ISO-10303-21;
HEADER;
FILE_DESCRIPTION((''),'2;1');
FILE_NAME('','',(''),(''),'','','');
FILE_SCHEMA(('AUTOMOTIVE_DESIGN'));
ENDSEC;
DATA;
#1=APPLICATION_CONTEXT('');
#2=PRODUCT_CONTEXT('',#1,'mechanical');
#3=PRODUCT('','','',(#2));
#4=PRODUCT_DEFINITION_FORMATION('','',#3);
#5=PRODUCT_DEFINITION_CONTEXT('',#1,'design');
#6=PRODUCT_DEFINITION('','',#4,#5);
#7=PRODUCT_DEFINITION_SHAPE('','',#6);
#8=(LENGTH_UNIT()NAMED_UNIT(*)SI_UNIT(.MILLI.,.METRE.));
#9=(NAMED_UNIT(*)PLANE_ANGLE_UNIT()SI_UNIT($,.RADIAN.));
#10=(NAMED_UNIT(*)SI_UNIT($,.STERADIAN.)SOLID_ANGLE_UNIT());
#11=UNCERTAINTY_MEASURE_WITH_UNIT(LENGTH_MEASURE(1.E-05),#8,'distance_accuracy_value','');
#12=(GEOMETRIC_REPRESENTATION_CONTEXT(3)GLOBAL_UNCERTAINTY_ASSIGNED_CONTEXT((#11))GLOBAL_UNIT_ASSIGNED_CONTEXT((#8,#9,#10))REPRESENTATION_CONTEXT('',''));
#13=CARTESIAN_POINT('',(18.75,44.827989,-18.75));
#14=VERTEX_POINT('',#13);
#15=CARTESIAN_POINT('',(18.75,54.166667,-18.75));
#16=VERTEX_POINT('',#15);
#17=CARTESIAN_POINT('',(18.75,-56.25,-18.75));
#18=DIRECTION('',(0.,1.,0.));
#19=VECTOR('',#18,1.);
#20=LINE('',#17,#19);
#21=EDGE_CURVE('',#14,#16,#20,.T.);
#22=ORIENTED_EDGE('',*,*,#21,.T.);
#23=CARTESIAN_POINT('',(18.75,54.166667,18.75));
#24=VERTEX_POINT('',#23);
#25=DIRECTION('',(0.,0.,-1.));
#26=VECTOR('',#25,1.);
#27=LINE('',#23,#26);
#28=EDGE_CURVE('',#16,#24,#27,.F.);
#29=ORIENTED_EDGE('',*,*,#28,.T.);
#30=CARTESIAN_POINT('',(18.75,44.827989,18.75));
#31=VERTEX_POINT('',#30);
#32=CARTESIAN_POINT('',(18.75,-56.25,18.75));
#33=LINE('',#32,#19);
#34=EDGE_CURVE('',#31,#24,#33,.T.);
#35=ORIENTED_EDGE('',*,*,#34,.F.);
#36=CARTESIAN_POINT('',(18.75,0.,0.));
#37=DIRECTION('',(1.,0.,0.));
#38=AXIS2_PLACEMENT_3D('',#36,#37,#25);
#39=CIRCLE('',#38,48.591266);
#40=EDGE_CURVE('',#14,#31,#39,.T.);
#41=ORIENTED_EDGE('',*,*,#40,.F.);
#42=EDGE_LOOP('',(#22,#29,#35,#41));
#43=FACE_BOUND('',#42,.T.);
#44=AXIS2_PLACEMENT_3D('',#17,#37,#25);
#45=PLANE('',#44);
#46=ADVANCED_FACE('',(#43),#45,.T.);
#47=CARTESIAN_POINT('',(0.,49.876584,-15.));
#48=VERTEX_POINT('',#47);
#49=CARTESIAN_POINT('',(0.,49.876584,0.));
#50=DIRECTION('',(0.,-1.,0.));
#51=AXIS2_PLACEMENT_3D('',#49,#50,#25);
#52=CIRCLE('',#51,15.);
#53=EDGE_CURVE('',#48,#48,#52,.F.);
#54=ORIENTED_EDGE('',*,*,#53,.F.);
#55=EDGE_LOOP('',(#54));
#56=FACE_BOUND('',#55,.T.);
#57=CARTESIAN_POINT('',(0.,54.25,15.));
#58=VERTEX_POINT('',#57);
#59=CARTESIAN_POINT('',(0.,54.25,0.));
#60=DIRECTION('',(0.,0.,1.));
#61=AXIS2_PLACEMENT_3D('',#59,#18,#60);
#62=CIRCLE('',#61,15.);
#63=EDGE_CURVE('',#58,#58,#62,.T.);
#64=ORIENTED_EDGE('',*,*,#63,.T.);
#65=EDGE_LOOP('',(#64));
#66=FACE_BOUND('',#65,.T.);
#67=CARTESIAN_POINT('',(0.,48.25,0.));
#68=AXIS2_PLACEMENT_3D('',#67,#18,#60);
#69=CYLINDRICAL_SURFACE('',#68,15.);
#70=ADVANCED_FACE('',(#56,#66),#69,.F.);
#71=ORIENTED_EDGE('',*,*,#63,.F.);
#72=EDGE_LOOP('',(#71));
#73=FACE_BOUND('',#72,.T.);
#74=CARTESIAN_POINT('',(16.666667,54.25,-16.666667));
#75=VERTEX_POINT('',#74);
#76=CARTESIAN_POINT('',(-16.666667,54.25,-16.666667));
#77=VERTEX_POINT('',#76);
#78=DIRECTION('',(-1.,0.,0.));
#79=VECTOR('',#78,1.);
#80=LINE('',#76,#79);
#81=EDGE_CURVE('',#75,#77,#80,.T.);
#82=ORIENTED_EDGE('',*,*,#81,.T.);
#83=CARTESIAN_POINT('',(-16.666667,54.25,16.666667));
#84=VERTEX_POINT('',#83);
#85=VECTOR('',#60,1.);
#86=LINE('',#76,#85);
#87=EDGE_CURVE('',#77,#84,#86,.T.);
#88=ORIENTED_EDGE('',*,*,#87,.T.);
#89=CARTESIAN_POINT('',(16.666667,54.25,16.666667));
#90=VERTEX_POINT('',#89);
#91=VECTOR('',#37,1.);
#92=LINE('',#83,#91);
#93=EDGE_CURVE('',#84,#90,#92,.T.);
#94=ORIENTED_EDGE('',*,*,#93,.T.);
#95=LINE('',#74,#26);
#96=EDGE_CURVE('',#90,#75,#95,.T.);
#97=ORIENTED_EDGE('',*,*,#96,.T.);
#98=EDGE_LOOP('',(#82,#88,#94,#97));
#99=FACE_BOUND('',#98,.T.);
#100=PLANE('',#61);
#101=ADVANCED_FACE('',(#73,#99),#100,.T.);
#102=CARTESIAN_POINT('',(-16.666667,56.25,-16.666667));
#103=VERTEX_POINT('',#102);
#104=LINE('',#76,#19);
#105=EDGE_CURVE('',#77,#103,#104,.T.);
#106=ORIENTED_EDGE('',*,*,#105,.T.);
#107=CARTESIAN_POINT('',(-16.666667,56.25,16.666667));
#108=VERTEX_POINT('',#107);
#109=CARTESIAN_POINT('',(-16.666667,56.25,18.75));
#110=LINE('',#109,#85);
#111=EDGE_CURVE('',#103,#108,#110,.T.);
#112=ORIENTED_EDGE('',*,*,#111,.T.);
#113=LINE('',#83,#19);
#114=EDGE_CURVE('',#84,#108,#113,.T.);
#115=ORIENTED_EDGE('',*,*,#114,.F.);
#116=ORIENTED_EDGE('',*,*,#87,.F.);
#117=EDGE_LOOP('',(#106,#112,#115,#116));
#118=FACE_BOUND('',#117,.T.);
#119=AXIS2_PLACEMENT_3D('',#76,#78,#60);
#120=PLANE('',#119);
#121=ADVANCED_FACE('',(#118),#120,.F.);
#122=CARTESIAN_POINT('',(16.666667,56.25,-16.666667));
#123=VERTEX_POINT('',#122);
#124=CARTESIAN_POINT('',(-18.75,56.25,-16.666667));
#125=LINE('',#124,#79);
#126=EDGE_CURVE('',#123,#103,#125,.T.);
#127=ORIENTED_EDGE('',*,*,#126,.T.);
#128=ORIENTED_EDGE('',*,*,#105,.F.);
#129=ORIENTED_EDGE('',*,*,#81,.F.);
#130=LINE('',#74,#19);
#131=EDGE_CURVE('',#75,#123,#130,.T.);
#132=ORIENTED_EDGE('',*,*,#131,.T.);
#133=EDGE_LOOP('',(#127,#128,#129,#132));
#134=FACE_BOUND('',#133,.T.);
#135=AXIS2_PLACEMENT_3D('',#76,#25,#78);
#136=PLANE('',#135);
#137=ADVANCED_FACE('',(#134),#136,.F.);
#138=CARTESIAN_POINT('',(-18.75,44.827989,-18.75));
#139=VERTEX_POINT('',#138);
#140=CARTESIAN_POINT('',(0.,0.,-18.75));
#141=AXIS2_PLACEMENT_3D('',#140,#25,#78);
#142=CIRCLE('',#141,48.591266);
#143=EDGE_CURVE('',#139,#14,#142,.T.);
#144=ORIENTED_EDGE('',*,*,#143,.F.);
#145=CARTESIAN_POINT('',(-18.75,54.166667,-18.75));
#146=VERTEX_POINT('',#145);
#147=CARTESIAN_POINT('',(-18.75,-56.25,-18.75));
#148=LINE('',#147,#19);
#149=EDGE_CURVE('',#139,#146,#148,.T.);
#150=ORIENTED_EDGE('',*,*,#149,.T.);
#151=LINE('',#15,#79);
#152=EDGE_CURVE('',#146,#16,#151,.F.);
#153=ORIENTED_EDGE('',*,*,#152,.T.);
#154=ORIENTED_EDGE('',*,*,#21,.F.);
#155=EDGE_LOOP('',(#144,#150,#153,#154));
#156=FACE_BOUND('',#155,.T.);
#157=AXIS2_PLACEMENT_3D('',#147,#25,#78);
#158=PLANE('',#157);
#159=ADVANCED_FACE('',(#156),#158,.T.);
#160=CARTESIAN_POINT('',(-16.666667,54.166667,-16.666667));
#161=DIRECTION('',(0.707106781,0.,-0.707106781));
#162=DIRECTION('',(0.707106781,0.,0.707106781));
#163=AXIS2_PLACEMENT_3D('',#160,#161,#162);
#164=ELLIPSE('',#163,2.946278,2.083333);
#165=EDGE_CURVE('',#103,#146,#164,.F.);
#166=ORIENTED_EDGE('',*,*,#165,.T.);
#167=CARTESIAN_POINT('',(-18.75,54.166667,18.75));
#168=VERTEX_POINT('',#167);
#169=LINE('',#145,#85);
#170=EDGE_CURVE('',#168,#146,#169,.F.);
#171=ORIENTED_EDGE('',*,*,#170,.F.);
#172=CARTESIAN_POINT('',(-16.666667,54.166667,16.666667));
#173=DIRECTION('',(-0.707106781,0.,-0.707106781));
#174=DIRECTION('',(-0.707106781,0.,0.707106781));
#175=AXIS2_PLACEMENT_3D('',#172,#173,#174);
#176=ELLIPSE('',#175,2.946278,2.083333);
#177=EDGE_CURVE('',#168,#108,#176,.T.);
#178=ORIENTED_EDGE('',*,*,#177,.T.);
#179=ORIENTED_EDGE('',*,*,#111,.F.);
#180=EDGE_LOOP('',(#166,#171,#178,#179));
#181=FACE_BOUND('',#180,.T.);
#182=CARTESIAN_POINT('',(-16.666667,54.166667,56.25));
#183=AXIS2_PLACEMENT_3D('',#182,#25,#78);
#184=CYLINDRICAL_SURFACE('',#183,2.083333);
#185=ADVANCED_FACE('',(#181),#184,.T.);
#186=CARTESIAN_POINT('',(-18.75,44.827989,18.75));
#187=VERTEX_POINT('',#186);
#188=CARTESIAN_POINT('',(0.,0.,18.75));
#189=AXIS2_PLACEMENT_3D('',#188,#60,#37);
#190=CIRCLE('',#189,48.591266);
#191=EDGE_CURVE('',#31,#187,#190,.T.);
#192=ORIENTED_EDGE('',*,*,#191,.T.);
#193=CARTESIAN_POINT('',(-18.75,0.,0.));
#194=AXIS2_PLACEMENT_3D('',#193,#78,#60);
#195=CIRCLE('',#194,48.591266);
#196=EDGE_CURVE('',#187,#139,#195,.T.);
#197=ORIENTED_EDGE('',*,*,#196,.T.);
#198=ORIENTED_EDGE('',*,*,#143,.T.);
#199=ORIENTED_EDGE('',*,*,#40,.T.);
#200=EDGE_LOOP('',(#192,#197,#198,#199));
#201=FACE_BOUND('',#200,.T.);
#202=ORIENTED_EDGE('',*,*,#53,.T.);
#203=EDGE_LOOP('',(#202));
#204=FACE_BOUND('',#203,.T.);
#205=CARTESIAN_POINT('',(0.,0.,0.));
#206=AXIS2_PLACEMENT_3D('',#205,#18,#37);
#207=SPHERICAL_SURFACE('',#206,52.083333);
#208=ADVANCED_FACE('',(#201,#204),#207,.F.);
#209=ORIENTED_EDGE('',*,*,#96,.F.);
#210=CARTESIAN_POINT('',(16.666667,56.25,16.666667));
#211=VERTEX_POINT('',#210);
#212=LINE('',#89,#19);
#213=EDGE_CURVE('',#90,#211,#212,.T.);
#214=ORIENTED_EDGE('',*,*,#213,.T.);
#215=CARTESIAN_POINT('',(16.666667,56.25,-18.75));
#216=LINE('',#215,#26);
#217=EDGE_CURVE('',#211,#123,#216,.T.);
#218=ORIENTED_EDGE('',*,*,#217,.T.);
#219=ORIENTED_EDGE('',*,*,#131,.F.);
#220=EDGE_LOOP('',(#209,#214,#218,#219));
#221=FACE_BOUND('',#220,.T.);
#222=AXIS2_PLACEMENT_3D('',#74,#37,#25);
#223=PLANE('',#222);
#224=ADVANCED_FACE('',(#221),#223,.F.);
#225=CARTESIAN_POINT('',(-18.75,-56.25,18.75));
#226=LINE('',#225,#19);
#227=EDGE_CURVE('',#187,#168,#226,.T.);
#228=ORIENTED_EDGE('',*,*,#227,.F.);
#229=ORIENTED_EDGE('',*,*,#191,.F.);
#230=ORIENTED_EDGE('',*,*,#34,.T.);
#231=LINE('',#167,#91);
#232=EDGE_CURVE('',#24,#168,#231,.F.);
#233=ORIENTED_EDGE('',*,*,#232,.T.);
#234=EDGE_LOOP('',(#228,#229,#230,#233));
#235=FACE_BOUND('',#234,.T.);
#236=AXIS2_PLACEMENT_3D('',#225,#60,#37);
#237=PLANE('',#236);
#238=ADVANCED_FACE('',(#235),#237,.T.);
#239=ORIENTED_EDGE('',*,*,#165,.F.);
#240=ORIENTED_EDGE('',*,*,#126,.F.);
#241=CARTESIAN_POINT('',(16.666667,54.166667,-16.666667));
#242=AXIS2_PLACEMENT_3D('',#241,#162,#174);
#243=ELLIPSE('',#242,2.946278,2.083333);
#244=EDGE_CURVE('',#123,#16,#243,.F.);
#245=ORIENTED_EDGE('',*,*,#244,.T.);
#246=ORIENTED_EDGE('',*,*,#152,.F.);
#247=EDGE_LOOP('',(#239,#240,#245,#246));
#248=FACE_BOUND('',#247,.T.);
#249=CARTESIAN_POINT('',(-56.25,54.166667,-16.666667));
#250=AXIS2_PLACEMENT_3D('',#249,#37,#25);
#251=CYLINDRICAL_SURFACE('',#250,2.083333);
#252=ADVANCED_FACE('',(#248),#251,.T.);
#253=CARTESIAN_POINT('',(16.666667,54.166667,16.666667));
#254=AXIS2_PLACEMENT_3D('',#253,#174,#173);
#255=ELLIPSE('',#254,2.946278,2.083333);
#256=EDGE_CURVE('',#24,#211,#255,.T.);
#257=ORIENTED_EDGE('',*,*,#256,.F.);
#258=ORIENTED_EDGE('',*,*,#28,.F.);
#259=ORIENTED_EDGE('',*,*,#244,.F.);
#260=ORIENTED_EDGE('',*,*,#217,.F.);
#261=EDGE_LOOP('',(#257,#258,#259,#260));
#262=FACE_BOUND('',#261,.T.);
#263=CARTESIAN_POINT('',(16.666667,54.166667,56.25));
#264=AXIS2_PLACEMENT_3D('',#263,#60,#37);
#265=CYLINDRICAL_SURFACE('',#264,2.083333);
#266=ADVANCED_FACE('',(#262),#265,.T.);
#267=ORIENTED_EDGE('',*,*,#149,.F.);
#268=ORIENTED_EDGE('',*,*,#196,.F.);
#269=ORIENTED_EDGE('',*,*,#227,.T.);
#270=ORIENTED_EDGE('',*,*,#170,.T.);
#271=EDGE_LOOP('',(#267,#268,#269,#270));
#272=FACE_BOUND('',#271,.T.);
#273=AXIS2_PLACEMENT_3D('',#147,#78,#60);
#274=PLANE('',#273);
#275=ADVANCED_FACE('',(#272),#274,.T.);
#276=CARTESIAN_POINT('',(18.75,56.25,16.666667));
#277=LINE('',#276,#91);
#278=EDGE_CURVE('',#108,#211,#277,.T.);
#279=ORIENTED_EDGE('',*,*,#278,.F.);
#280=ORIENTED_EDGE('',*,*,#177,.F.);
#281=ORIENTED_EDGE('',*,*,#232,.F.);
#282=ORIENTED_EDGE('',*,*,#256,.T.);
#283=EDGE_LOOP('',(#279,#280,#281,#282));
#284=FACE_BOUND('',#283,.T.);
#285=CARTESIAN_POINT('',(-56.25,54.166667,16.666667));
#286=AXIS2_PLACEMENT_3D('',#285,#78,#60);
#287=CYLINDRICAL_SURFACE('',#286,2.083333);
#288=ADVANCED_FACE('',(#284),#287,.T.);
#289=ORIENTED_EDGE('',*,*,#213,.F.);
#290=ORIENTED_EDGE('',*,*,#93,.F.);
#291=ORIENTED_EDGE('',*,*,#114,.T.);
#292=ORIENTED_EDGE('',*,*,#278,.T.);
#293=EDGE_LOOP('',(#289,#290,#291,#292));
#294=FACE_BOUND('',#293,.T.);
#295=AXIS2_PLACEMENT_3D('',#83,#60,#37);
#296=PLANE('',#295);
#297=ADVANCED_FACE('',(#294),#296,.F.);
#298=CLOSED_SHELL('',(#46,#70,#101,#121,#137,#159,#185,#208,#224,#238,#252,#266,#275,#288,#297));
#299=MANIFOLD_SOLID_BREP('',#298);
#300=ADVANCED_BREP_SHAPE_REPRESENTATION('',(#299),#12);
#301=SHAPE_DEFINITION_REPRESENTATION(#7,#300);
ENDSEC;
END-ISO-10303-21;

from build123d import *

# Parameters (mm, degrees)
SKETCH_1_W          = 54
SKETCH_1_H          = 54
EXTRUDE_1_DEPTH     = 27
SKETCH_2_W          = 54
SKETCH_2_H          = 54
SKETCH_2_W_2        = 18
SKETCH_2_H_2        = 18
CUT_EXTRUDE_1_DEPTH = 54
SKETCH_3_W          = 18
SKETCH_3_H          = 36
CUT_EXTRUDE_2_DEPTH = 34.674916481
FILLET_1_R          = 1
SCALE_1_SCALE       = 2.083333333
SKETCH_5_W          = 33.333333334
SKETCH_5_H          = 33.333333334
CUT_EXTRUDE_3_DEPTH = 2
SKETCH_6_R          = 15
CUT_EXTRUDE_4_DEPTH = 6


with BuildPart() as part:
    # 草图1 → 凸台-拉伸1 (new, symmetric)
    with BuildSketch(Plane.XY):
        Rectangle(SKETCH_1_W, SKETCH_1_H)
    extrude(amount=EXTRUDE_1_DEPTH, both=True)

    # 草图2 → 切除-拉伸1 (cut)
    with BuildSketch(Plane(origin=(0, 27, 0), x_dir=(1, 0, 0), z_dir=(0, 1, 0))):
        Rectangle(SKETCH_2_W, SKETCH_2_H)
        Rectangle(SKETCH_2_W_2, SKETCH_2_H_2, mode=Mode.SUBTRACT)
    extrude(amount=-CUT_EXTRUDE_1_DEPTH, mode=Mode.SUBTRACT)

    # 草图3 → 切除-拉伸2 (cut, through all)
    with BuildSketch(Plane.XY.offset(9)):
        with Locations((0, -9)):
            Rectangle(SKETCH_3_W, SKETCH_3_H)
    extrude(amount=-CUT_EXTRUDE_2_DEPTH, mode=Mode.SUBTRACT)

    # 草图4 → 切除-旋转1 (revolve, cut)
    with BuildSketch(Plane.XY):
        with BuildLine():
            Line((0, 25), (0, -25))
            ThreePointArc((0, -25), (-25, 0), (0, 25))
        make_face()
    revolve(axis=Axis((0, 25, 0), (0, -1, 0)), mode=Mode.SUBTRACT)

    # 圆角1
    fillet_1_edges = [part.edges().sort_by_distance(p)[0] for p in [
        (9, 27, 0),
        (0, 27, 9),
        (-9, 27, 0),
        (0, 27, -9),
    ]]
    fillet(fillet_1_edges, radius=FILLET_1_R)


with BuildPart() as part_1:
    # 缩放比例1: scaled about (0, 0, 0)
    add(part.part.scale(SCALE_1_SCALE))

    # 草图5 → 切除-拉伸3 (cut)
    with BuildSketch(Plane(origin=(0, 56.25, 0), x_dir=(1, 0, 0), z_dir=(0, 1, 0))):
        Rectangle(SKETCH_5_W, SKETCH_5_H)
    extrude(amount=-CUT_EXTRUDE_3_DEPTH, mode=Mode.SUBTRACT)

    # 草图6 → 切除-拉伸4 (cut)
    with BuildSketch(Plane(origin=(0, 54.25, 0), x_dir=(1, 0, 0), z_dir=(0, 1, 0))):
        with Locations(Location((0, 0, 0), (0, 0, 270))):
            Circle(SKETCH_6_R)
    extrude(amount=-CUT_EXTRUDE_4_DEPTH, mode=Mode.SUBTRACT)


solid = part_1.part
